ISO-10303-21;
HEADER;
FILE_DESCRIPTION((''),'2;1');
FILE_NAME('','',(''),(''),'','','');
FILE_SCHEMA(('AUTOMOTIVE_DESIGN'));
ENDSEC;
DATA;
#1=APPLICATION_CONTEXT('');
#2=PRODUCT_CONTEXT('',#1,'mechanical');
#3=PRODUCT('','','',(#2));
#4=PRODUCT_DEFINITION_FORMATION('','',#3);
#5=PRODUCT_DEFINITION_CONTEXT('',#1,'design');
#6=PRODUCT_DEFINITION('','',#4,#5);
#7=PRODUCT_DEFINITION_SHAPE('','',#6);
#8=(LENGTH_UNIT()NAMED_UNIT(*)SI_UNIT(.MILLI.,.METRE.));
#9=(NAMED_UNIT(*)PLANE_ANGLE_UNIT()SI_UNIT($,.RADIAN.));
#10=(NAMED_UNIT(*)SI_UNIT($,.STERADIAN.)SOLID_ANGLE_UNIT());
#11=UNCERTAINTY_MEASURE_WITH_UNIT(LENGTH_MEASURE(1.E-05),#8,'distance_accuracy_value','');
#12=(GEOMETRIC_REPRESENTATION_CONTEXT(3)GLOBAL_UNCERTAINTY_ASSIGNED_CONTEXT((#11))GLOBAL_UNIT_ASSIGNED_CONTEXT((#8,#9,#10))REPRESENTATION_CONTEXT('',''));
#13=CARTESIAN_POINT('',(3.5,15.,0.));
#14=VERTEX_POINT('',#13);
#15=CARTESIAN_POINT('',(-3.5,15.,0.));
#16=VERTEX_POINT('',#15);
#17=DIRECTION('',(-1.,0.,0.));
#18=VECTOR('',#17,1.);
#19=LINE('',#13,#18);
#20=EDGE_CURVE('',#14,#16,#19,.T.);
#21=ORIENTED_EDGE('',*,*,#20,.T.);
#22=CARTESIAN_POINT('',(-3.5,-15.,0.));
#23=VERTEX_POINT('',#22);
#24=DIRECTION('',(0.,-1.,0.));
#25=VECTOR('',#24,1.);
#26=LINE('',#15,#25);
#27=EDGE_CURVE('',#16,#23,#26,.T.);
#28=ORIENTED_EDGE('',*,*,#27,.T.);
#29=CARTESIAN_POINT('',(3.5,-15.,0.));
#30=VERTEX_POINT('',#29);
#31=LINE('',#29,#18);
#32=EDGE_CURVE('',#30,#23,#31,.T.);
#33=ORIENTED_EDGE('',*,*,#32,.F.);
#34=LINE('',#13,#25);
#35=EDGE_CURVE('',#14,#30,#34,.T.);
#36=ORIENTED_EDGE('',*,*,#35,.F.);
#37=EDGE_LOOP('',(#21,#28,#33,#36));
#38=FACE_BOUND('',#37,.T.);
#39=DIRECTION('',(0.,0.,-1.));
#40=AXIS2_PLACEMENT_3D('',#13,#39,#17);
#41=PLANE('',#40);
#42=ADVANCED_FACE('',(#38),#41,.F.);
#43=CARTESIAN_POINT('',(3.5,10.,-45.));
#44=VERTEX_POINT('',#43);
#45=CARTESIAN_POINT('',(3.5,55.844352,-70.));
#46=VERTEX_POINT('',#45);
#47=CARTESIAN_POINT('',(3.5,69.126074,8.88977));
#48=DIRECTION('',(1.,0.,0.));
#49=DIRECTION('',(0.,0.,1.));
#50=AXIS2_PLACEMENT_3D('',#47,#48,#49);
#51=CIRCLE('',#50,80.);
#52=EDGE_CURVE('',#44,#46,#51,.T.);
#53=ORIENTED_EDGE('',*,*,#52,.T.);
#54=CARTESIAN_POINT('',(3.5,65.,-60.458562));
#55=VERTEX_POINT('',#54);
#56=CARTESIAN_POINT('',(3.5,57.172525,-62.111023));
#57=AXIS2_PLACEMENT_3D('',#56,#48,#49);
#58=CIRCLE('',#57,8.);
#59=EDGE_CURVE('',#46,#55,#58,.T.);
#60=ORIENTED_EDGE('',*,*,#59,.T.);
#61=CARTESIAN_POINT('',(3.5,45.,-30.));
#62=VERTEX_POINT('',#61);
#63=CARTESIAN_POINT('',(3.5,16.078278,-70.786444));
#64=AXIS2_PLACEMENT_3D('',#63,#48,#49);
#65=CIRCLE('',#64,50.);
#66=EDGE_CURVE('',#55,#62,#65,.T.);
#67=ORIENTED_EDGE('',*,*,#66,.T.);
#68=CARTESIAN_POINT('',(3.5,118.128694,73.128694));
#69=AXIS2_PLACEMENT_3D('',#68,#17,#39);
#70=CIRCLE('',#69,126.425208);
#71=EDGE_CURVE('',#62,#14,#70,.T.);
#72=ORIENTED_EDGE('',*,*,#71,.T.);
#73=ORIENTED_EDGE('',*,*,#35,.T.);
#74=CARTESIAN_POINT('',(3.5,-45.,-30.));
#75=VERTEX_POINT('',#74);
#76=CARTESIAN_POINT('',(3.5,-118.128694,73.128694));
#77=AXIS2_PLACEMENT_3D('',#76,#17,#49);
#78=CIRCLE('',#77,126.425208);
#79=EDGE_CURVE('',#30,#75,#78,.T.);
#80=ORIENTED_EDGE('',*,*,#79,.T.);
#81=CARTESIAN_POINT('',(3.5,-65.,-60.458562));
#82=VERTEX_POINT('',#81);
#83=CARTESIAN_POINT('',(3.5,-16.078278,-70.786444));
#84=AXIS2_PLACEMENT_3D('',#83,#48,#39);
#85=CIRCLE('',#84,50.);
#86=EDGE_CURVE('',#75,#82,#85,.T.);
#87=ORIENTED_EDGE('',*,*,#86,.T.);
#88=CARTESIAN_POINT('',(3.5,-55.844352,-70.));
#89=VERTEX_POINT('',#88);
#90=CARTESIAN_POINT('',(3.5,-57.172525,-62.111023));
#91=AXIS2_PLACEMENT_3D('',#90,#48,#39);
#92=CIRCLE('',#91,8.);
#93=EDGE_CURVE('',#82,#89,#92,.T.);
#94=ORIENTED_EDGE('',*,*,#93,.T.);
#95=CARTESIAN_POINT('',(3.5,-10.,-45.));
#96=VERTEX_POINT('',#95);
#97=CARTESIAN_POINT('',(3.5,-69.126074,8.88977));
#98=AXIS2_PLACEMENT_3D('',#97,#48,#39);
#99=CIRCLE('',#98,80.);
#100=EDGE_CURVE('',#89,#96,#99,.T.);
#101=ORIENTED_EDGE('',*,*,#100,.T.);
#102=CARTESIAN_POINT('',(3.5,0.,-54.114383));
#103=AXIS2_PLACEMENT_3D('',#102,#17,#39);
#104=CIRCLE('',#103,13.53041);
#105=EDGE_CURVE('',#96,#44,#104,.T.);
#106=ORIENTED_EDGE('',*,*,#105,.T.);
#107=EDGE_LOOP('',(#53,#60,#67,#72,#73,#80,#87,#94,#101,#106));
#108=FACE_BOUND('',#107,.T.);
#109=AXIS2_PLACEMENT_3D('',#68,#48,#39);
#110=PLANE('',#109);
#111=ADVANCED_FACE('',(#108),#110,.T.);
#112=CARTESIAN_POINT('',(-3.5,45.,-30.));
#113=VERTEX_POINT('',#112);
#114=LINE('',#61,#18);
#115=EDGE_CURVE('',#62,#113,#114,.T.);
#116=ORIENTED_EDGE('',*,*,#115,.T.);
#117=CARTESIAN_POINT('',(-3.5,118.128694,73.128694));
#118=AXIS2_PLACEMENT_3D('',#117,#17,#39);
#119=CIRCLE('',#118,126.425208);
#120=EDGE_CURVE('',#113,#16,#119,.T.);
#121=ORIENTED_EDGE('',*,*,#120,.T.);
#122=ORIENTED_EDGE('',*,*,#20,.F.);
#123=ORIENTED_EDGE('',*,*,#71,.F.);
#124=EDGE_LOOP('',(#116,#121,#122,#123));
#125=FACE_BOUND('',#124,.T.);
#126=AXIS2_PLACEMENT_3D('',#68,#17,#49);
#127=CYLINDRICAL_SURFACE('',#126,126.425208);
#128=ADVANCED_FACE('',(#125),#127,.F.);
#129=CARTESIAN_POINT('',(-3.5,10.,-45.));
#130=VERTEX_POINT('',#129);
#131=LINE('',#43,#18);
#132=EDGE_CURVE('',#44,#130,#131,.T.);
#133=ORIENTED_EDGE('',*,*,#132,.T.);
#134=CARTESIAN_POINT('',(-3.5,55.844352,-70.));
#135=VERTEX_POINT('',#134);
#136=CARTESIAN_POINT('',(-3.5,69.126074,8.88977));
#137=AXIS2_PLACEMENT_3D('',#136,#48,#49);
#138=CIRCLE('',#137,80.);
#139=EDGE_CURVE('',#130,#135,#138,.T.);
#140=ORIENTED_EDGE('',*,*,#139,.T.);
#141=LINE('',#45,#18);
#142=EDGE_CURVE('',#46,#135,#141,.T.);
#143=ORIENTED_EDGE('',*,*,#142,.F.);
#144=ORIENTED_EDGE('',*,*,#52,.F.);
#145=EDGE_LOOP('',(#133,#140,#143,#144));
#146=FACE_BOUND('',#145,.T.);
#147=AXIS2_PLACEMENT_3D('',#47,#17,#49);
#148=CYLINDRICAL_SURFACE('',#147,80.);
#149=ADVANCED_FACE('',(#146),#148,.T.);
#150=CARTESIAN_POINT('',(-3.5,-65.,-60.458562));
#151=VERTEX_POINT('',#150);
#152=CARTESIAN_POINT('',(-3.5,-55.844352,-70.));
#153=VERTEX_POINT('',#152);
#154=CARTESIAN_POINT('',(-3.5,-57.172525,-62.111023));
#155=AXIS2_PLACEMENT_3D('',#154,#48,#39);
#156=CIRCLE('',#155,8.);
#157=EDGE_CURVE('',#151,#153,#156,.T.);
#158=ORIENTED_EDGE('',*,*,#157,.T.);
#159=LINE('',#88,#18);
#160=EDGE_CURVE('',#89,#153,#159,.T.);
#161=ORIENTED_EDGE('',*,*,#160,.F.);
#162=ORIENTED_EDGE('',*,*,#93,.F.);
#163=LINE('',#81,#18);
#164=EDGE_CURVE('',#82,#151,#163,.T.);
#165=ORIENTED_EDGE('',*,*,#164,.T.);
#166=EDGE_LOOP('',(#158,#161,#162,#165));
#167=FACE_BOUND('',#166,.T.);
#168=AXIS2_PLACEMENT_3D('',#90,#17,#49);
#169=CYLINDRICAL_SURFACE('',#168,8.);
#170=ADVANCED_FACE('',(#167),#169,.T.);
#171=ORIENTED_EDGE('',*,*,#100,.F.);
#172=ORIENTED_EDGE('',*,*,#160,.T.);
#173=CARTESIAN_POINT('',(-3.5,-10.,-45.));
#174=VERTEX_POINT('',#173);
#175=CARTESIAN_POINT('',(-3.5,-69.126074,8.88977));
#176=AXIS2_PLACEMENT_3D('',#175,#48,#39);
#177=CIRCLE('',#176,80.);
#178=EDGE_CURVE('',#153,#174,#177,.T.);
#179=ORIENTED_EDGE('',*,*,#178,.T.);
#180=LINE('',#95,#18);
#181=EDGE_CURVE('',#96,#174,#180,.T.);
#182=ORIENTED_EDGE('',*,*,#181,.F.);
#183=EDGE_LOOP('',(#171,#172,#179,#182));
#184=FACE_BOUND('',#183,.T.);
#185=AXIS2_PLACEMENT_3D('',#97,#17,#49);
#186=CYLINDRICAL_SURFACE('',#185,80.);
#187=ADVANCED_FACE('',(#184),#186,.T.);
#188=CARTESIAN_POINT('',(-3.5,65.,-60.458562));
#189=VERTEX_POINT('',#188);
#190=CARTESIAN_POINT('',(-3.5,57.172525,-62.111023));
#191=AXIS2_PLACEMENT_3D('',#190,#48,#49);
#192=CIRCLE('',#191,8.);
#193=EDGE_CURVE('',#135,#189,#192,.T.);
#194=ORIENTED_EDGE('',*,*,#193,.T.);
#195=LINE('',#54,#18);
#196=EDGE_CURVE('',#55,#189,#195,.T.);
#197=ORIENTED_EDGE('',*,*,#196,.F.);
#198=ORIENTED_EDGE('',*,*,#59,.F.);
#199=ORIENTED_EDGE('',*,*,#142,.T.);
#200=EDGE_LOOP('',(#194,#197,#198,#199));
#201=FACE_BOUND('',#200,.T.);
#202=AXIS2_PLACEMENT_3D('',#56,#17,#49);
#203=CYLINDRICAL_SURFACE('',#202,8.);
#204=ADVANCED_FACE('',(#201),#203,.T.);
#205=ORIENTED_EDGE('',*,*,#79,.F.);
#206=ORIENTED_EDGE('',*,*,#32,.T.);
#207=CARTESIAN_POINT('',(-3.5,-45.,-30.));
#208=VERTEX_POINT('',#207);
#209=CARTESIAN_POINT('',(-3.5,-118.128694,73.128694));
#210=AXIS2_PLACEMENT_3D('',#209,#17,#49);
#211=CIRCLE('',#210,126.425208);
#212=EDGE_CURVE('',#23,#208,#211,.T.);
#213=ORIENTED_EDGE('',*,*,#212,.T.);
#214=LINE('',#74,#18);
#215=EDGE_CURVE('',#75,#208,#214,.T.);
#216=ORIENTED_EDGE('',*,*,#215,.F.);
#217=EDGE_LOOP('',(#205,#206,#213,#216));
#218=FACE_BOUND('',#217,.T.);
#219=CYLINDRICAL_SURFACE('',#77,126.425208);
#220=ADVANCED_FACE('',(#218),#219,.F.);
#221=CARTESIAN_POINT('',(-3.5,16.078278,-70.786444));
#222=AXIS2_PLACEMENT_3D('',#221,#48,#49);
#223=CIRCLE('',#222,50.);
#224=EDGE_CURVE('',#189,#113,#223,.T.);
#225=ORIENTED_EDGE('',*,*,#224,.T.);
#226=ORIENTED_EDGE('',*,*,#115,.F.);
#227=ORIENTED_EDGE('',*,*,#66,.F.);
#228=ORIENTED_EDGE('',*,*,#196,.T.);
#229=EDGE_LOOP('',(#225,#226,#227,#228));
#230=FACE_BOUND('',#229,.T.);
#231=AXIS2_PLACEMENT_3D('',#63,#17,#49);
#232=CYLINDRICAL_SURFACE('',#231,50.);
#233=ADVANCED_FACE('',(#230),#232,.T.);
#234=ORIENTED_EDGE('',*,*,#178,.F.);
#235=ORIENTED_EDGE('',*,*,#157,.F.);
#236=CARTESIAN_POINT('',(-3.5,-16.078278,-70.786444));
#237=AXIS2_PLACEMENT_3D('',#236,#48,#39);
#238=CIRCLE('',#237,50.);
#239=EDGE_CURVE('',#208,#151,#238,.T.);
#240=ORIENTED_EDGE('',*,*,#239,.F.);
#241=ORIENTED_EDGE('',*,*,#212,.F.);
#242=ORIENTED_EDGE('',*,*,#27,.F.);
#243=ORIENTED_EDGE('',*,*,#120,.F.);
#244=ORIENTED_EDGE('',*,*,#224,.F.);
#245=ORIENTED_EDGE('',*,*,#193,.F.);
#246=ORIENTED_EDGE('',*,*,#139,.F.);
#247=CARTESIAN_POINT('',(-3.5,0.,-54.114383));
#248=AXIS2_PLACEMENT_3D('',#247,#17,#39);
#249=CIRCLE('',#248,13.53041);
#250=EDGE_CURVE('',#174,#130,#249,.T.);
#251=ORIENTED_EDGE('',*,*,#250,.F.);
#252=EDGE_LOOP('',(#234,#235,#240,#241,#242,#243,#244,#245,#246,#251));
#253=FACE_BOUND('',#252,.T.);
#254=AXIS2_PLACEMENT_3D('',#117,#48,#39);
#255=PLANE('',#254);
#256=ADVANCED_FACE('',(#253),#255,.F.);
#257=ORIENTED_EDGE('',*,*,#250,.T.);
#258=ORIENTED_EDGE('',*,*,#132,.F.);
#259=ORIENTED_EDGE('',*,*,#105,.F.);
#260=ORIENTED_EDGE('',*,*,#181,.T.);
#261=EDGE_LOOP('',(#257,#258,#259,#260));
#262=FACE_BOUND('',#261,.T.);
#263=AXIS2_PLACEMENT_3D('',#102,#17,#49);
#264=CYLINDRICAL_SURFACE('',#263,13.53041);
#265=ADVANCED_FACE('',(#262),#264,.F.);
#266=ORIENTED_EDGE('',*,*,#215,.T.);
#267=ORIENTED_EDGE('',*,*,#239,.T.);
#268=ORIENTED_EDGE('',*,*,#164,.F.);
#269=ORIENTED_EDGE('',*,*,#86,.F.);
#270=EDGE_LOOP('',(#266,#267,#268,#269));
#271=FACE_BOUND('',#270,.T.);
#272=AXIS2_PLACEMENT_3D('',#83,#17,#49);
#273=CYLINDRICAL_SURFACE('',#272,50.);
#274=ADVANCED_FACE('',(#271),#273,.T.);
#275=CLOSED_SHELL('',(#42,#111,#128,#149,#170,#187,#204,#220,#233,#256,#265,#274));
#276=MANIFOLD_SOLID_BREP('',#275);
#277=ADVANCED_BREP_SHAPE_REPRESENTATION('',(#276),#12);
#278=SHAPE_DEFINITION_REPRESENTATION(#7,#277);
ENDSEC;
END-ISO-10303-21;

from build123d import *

# Parameters (mm, degrees)
BOSS_EXTRUDE1_DEPTH = 3.5


with BuildPart() as part:
    # Sketch1 → Boss-Extrude1 (new, symmetric)
    with BuildSketch(Plane(origin=(0, 0, 0), x_dir=(0, 0, -1), z_dir=(1, 0, 0))):
        with BuildLine():
            Line((0, 15), (0, -15))
            ThreePointArc((0, -15), (16.267428438, -28.732571562), (30, -45))
            ThreePointArc((30, -45), (43.342526908, -57.873390661), (60.45856181, -65))
            ThreePointArc((60.45856181, -65), (67.649976256, -62.944872105), (70, -55.84435235))
            ThreePointArc((70, -55.84435235), (61.345746077, -30.825000689), (45, -10))
            ThreePointArc((45, -10), (40.583973737, 0), (45, 10))
            ThreePointArc((45, 10), (61.345746077, 30.825000689), (70, 55.84435235))
            ThreePointArc((70, 55.84435235), (67.649976256, 62.944872105), (60.45856181, 65))
            ThreePointArc((60.45856181, 65), (43.342526908, 57.873390661), (30, 45))
            ThreePointArc((30, 45), (16.267428438, 28.732571562), (0, 15))
        make_face()
    extrude(amount=BOSS_EXTRUDE1_DEPTH, both=True)


solid = part.part
